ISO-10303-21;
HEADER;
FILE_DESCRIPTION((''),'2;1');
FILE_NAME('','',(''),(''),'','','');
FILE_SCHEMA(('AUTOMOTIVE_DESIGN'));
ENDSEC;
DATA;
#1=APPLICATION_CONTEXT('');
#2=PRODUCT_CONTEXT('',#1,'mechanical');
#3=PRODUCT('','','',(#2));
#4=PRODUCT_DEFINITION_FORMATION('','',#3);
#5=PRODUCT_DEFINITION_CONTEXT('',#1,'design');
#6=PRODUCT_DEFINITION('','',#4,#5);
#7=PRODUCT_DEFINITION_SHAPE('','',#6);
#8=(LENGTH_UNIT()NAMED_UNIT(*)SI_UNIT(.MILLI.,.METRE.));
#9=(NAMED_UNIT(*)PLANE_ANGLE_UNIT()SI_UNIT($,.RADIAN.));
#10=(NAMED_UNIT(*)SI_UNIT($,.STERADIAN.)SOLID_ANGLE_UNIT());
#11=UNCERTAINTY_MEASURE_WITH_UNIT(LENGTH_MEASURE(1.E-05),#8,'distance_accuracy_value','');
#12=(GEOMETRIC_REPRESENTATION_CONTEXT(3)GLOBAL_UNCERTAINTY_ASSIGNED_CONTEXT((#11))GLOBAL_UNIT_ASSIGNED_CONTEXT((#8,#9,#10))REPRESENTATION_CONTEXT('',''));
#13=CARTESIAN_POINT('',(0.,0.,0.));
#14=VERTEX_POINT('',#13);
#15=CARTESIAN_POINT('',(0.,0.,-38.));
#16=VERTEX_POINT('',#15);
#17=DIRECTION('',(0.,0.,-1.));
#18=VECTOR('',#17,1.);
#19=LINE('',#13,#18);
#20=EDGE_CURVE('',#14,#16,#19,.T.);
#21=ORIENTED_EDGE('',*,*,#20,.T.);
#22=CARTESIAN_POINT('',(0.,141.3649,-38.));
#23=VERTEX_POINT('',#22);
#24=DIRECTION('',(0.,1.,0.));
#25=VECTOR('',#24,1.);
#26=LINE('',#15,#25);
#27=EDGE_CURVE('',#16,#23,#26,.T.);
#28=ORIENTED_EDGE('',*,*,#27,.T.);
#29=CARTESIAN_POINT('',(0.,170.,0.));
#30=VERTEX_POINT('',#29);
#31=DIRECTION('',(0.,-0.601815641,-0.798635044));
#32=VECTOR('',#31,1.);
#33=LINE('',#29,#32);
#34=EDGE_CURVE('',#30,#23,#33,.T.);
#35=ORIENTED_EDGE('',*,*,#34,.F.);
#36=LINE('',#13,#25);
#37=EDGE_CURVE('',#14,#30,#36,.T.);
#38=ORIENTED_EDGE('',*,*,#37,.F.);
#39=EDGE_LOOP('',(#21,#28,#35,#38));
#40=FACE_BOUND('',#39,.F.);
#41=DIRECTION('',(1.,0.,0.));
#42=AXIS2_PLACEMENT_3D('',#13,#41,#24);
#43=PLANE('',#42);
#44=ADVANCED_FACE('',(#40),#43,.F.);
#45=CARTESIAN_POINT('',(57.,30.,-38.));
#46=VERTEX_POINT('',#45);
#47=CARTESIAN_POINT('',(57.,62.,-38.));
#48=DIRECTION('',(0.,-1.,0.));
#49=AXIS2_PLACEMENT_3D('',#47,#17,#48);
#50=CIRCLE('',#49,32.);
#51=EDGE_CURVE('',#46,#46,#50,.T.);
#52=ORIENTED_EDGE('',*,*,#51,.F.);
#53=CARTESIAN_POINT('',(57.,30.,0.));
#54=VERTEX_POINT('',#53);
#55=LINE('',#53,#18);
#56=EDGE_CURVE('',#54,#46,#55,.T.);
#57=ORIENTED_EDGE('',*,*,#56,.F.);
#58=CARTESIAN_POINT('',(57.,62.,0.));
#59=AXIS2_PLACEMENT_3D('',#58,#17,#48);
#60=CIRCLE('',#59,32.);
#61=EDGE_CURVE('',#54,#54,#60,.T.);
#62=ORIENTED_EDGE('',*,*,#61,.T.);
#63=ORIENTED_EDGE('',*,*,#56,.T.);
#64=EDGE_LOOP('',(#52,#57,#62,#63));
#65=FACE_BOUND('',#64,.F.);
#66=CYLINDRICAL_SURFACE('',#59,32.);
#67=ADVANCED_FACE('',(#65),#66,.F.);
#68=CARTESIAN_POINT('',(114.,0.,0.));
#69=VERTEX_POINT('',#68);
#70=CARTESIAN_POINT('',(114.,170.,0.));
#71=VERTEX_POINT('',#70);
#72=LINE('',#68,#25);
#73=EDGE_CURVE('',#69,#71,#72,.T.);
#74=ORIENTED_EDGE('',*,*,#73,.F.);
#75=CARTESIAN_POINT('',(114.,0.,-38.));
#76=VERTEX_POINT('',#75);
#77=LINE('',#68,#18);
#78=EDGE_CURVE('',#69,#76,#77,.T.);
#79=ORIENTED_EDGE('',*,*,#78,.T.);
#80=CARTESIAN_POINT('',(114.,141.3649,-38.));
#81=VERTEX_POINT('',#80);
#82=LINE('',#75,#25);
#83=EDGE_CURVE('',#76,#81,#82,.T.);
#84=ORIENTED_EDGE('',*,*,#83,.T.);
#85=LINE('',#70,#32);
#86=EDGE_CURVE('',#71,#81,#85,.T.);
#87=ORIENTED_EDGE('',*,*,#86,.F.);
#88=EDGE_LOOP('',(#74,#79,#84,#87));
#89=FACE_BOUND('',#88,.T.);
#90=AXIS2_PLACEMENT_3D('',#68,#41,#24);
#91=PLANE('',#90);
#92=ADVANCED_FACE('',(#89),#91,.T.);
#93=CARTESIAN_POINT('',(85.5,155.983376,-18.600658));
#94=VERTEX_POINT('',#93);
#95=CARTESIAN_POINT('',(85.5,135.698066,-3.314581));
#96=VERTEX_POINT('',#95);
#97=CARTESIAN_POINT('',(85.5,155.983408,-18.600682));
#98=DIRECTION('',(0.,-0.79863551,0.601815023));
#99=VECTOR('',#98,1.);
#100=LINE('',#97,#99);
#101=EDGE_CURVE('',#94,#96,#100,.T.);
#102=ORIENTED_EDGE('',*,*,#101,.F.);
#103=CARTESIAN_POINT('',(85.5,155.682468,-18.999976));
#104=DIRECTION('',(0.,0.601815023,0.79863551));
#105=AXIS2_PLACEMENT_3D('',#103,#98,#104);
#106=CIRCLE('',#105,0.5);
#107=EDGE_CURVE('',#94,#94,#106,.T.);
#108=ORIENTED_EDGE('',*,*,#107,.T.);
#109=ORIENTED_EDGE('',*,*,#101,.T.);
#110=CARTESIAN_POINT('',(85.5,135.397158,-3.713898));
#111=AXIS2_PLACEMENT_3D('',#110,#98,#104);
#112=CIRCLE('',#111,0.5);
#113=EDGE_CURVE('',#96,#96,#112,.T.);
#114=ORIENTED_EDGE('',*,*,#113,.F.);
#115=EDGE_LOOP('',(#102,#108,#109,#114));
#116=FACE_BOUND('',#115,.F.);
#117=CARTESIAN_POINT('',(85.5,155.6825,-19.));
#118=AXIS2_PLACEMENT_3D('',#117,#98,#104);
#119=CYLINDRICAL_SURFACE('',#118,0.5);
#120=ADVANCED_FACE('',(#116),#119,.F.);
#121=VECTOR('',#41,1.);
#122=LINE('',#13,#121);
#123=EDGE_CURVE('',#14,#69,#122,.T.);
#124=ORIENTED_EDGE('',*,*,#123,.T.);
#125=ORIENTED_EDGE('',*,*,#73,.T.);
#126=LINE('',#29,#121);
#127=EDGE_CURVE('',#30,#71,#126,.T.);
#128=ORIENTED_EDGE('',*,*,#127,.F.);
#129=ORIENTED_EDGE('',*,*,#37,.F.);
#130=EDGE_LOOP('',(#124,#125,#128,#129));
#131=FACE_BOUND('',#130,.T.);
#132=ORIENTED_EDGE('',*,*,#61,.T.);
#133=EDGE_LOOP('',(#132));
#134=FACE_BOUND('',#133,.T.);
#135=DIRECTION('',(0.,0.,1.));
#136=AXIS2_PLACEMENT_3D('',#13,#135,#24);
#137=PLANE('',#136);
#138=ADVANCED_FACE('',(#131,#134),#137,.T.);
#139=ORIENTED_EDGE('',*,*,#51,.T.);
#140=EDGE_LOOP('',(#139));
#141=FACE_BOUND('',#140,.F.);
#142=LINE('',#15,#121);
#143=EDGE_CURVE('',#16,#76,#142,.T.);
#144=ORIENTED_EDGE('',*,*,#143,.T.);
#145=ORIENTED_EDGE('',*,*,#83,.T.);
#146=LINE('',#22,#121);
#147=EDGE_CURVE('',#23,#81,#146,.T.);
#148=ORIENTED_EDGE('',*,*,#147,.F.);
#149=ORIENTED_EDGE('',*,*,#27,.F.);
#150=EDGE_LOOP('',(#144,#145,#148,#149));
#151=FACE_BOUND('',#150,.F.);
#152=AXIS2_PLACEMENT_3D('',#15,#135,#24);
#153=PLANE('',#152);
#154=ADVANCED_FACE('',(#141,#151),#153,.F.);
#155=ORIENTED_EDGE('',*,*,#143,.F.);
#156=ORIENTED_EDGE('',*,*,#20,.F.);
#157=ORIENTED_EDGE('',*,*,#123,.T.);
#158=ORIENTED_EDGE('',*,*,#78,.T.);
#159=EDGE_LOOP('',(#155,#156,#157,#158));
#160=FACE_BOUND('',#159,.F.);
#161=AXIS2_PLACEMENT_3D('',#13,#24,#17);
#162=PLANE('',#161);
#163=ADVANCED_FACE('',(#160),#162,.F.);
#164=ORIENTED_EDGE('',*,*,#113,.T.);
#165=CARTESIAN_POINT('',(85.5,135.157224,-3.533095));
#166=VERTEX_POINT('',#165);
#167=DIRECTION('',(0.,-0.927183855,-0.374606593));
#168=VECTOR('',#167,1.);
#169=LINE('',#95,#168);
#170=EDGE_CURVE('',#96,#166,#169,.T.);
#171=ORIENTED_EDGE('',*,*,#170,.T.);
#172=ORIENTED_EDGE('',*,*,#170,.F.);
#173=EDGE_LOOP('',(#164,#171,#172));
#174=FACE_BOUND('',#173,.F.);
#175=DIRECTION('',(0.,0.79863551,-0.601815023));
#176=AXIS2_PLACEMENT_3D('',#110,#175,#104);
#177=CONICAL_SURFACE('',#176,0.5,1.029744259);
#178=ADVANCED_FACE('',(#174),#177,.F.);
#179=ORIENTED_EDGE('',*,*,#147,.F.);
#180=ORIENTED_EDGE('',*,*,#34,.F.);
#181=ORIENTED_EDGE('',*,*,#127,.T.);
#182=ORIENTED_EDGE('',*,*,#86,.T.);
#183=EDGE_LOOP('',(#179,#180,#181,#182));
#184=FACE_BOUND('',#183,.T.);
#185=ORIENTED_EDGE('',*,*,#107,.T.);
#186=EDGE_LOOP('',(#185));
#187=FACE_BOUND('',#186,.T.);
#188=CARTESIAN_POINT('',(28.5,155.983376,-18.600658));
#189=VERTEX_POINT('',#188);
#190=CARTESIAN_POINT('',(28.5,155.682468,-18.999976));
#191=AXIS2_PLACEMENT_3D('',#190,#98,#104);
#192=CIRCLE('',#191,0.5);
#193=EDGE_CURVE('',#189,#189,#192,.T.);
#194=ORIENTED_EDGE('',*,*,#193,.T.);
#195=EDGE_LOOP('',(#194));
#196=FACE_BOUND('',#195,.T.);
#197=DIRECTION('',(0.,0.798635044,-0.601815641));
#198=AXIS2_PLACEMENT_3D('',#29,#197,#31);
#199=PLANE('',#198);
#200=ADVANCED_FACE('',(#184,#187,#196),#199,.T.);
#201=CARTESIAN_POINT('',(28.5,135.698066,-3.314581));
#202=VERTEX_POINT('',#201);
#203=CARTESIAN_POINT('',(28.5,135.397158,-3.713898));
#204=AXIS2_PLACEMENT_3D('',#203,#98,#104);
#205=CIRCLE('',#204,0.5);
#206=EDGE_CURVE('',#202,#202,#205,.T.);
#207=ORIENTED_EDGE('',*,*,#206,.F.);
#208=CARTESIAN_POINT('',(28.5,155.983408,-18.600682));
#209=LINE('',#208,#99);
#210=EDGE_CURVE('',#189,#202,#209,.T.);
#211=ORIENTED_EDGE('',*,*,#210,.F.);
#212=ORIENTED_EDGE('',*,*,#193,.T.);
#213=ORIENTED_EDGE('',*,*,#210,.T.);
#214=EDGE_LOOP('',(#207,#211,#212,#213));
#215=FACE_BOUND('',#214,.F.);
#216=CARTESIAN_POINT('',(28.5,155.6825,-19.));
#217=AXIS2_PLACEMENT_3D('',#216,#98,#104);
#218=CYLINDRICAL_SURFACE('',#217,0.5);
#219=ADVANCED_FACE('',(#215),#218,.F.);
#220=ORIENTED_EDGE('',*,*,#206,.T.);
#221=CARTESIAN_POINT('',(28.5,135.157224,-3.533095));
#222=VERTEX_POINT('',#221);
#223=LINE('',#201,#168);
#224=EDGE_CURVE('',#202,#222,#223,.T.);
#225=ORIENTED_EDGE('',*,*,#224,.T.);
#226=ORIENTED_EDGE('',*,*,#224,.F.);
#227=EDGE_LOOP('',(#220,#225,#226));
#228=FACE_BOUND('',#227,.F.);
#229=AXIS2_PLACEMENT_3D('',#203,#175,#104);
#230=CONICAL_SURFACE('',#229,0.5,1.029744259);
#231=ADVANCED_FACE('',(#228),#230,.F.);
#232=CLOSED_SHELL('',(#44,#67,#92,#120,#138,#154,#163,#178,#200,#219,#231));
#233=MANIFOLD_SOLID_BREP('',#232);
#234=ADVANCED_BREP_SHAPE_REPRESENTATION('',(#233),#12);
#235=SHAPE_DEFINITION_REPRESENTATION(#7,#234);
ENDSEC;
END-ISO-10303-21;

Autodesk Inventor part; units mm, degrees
ref_plane "YZ Plane" through (0, 0, 0) normal (1, 0, 0) x (0, 1, 0)
ref_plane "XZ Plane" through (0, 0, 0) normal (0, 1, 0) x (-1, 0, 0)
ref_plane "XY Plane" through (0, 0, 0) normal (0, 0, 1) x (1, 0, 0)
sketch "Sketch1" plane through (0, 0, 0) normal (1, 0, 0) x (0, 1, 0)
  line L0 (0, 0) -> (170, 0)
  line L1 (0, 0) -> (0, -38)
  line L2 (170, 0) -> (141.3649, -38)
  line L3 (170, 0) -> (170.6921, 0) construction
  line L4 (0, -38) -> (141.3649, -38)
  dimension "d2" = 170
  dimension "d4" = 38
  dimension "d26" = 127
extrude "Extrusion1" add sketch "Sketch1" along normal blind 114
sketch "Sketch4" plane through (0, 170, 0) normal (0, 0.7986, -0.6018) x (1, 0, 0)
  line L0 (0, 47.5812) -> (114, 47.5812) projected
  circle A0 centre (85.5, 23.7906) radius 2.921
  line L1 (0, 0) -> (0, 47.5812) projected
  line L2 (0, 0) -> (114, 0) projected
  line L3 (85.5, 23.7906) -> (28.5, 23.7906) construction
  line L4 (57, 47.5812) -> (57, 0) construction
  point P0 (0, 102.3086)
  point P1 (57, 23.7906)
  dimension "d30" = 57
  dimension "d42" = 28.5
hole "Hole2" at (28.5, 155.6825, -19) at (85.5, 155.6825, -19) direction (0, -0.7986, 0.6018) diameter 1 depth 25.4 tip angle 118
sketch "Sketch5" plane through (0, 0, 0) normal (0, 0, 1) x (1, 0, 0)
  line L0 (0, 170) -> (114, 170) projected
  circle A0 centre (57, 62) radius 32
  dimension "d44" = 64
  dimension "d45" = 108
hole "Hole3" at (57, 62, 0) direction (0, 0, -1) diameter 64 end through all
properties part number "2p4irsh" material "Wood (Cherry)"
